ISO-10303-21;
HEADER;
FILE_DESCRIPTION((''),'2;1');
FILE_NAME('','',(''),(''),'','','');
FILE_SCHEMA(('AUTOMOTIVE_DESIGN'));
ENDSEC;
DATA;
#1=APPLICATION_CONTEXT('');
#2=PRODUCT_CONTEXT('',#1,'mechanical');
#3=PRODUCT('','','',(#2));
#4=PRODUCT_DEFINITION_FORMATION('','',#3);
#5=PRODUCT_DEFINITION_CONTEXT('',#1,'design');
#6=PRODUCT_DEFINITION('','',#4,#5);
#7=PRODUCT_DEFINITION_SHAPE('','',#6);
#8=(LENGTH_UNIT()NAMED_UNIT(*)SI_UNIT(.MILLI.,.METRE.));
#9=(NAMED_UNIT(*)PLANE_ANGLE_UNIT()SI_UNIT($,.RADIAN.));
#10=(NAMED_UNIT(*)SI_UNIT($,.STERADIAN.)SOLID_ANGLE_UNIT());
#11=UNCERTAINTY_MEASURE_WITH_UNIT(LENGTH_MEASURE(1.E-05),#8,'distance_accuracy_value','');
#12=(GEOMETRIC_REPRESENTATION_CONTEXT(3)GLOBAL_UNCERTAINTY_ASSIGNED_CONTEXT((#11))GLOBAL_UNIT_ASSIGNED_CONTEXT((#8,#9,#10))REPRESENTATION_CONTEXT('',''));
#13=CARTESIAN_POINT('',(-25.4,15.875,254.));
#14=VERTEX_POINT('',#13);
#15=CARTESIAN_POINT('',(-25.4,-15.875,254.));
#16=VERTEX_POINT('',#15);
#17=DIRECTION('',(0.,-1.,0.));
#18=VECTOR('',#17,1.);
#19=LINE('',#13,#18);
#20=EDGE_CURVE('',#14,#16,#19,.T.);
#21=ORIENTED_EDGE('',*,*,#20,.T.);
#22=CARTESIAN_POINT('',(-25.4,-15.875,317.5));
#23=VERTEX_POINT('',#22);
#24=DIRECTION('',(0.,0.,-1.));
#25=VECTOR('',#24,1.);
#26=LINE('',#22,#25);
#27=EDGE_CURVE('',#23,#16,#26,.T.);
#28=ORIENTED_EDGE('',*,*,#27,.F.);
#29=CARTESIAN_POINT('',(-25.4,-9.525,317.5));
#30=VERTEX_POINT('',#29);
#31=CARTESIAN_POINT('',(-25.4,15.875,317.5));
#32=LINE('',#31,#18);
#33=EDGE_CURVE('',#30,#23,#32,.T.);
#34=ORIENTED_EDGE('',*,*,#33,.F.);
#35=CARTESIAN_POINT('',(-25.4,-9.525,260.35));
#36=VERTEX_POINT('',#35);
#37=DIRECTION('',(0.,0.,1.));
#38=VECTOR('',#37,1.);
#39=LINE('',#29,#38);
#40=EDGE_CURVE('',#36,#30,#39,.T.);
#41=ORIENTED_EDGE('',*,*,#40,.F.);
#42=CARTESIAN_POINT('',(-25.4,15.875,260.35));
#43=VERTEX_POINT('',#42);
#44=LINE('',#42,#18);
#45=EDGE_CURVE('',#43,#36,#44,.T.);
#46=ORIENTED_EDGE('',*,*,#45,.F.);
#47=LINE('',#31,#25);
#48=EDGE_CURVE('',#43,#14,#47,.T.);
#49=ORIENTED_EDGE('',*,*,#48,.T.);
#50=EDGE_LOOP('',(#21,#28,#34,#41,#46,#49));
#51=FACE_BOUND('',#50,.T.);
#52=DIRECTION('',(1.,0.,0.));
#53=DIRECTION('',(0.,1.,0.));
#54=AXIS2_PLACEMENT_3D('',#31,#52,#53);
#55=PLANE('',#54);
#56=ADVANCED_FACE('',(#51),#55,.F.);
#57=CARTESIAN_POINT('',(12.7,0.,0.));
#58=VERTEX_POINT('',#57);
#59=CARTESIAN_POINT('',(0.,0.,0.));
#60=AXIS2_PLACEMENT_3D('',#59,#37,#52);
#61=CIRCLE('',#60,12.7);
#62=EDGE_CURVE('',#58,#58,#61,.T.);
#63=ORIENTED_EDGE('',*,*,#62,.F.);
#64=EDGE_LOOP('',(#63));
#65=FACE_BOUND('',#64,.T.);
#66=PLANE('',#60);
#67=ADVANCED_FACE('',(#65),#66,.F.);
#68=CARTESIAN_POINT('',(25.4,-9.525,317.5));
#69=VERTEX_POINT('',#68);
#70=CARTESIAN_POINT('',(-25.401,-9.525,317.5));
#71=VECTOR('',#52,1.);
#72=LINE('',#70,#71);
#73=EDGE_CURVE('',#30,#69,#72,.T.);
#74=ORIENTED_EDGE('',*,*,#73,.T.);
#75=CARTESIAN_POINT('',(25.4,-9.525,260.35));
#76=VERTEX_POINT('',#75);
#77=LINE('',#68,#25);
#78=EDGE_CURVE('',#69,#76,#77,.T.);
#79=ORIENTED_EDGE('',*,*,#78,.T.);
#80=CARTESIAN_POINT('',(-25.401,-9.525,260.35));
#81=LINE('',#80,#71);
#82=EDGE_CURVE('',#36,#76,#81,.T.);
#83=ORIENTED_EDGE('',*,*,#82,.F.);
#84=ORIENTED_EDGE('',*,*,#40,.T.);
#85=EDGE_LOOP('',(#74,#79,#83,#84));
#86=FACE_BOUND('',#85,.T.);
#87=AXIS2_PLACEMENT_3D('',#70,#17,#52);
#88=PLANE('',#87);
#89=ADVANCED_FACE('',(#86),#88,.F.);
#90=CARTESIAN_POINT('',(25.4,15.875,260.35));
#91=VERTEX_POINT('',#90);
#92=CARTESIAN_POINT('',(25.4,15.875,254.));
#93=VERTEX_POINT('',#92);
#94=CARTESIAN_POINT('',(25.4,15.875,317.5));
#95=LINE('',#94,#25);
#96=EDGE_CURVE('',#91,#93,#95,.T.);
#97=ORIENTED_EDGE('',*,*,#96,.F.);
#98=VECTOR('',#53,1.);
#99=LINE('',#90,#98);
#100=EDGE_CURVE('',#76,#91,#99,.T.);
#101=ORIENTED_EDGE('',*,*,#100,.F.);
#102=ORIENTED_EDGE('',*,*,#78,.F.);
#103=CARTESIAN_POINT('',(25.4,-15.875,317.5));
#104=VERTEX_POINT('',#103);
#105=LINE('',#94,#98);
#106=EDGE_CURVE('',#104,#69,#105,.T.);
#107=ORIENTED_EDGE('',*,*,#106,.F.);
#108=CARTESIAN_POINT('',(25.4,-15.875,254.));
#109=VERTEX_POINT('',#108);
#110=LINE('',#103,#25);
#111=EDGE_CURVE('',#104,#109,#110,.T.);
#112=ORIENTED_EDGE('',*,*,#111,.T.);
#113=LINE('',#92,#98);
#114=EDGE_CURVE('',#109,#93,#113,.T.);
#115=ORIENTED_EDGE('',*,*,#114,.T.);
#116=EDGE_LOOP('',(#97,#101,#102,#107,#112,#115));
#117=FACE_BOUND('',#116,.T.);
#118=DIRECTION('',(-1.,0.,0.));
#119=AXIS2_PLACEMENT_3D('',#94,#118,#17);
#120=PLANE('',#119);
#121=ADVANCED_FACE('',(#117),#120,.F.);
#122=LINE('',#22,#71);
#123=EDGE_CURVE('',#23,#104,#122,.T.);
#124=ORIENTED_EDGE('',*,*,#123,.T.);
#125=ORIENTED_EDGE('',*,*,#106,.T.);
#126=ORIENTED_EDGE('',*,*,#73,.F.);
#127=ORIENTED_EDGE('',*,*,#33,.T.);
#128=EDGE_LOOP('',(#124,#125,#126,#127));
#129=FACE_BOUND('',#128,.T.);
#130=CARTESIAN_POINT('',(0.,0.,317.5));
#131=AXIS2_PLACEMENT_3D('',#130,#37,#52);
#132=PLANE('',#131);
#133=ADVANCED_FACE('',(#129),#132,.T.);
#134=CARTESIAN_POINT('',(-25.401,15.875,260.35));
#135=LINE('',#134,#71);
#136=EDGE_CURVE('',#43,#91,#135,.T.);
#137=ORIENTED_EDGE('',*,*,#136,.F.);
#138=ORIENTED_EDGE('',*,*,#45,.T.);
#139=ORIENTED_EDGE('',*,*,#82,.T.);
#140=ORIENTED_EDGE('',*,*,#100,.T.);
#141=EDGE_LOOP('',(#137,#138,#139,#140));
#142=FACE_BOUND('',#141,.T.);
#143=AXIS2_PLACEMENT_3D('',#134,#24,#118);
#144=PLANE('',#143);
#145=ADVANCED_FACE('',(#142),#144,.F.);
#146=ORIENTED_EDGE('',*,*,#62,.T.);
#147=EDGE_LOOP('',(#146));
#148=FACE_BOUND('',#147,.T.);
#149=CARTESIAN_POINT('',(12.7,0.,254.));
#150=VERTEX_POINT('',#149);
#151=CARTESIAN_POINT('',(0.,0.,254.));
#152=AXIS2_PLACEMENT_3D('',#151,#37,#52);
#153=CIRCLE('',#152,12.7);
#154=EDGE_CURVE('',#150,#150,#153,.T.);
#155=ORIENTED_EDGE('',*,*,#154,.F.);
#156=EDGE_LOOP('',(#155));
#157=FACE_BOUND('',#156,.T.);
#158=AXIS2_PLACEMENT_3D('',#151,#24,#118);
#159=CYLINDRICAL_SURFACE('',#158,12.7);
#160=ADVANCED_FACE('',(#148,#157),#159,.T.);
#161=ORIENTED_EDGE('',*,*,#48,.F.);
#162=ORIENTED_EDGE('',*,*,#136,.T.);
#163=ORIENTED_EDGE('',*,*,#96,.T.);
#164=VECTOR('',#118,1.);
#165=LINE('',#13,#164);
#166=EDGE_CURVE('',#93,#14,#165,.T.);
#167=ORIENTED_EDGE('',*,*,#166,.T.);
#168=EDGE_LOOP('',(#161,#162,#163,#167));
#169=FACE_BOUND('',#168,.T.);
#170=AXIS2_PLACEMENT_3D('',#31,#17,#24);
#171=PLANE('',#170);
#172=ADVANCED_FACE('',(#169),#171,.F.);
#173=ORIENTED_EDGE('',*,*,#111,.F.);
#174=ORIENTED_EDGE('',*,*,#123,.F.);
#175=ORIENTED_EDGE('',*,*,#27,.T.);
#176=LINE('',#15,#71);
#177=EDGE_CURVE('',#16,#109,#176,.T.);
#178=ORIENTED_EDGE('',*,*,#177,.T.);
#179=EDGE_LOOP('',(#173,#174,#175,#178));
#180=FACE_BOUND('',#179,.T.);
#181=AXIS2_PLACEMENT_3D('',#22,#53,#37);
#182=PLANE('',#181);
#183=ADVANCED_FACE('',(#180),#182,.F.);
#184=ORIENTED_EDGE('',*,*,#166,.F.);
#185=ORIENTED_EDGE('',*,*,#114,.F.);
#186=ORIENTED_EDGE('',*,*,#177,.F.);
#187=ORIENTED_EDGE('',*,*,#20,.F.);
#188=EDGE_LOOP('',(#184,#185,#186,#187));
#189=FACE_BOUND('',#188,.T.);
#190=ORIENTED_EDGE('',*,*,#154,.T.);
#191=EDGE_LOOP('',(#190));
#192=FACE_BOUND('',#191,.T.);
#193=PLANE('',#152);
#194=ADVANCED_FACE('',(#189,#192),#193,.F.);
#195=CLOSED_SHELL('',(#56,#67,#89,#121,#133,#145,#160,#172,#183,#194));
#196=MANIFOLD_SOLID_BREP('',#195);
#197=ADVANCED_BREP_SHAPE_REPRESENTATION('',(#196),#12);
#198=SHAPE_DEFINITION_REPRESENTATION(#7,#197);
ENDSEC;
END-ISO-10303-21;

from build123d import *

# Parameters (mm, degrees)
SKETCH1_R           = 12.7
BOSS_EXTRUDE1_DEPTH = 254
SKETCH2_W           = 50.8
SKETCH2_H           = 31.75
BOSS_EXTRUDE2_DEPTH = 63.5
CUT_EXTRUDE1_REACH  = 52.8
SKETCH3_W           = 57.15
SKETCH3_H           = 25.4


with BuildPart() as part:
    # Sketch1 → Boss-Extrude1 (new body)
    with BuildSketch(Plane.XY):
        Circle(SKETCH1_R)
    extrude(amount=BOSS_EXTRUDE1_DEPTH)

    # Sketch2 → Boss-Extrude2 (add)
    with BuildSketch(Plane.XY.offset(254)):
        Rectangle(SKETCH2_W, SKETCH2_H)
    extrude(amount=BOSS_EXTRUDE2_DEPTH)

    # Sketch3 → Cut-Extrude1 (cut, up to next)
    with BuildSketch(Plane(origin=(25.4, 0, 0), x_dir=(0, 0, -1), z_dir=(1, 0, 0)), mode=Mode.PRIVATE) as cut_extrude1_sk1:
        with Locations((-288.925, 3.175)):
            Rectangle(SKETCH3_W, SKETCH3_H)
    cut_extrude1_tool1 = extrude(cut_extrude1_sk1.sketch, amount=-CUT_EXTRUDE1_REACH, mode=Mode.PRIVATE) & part.part
    add(cut_extrude1_tool1.solids().sort_by_distance((25.4, 3.175, 288.925))[0], mode=Mode.SUBTRACT)


solid = part.part
